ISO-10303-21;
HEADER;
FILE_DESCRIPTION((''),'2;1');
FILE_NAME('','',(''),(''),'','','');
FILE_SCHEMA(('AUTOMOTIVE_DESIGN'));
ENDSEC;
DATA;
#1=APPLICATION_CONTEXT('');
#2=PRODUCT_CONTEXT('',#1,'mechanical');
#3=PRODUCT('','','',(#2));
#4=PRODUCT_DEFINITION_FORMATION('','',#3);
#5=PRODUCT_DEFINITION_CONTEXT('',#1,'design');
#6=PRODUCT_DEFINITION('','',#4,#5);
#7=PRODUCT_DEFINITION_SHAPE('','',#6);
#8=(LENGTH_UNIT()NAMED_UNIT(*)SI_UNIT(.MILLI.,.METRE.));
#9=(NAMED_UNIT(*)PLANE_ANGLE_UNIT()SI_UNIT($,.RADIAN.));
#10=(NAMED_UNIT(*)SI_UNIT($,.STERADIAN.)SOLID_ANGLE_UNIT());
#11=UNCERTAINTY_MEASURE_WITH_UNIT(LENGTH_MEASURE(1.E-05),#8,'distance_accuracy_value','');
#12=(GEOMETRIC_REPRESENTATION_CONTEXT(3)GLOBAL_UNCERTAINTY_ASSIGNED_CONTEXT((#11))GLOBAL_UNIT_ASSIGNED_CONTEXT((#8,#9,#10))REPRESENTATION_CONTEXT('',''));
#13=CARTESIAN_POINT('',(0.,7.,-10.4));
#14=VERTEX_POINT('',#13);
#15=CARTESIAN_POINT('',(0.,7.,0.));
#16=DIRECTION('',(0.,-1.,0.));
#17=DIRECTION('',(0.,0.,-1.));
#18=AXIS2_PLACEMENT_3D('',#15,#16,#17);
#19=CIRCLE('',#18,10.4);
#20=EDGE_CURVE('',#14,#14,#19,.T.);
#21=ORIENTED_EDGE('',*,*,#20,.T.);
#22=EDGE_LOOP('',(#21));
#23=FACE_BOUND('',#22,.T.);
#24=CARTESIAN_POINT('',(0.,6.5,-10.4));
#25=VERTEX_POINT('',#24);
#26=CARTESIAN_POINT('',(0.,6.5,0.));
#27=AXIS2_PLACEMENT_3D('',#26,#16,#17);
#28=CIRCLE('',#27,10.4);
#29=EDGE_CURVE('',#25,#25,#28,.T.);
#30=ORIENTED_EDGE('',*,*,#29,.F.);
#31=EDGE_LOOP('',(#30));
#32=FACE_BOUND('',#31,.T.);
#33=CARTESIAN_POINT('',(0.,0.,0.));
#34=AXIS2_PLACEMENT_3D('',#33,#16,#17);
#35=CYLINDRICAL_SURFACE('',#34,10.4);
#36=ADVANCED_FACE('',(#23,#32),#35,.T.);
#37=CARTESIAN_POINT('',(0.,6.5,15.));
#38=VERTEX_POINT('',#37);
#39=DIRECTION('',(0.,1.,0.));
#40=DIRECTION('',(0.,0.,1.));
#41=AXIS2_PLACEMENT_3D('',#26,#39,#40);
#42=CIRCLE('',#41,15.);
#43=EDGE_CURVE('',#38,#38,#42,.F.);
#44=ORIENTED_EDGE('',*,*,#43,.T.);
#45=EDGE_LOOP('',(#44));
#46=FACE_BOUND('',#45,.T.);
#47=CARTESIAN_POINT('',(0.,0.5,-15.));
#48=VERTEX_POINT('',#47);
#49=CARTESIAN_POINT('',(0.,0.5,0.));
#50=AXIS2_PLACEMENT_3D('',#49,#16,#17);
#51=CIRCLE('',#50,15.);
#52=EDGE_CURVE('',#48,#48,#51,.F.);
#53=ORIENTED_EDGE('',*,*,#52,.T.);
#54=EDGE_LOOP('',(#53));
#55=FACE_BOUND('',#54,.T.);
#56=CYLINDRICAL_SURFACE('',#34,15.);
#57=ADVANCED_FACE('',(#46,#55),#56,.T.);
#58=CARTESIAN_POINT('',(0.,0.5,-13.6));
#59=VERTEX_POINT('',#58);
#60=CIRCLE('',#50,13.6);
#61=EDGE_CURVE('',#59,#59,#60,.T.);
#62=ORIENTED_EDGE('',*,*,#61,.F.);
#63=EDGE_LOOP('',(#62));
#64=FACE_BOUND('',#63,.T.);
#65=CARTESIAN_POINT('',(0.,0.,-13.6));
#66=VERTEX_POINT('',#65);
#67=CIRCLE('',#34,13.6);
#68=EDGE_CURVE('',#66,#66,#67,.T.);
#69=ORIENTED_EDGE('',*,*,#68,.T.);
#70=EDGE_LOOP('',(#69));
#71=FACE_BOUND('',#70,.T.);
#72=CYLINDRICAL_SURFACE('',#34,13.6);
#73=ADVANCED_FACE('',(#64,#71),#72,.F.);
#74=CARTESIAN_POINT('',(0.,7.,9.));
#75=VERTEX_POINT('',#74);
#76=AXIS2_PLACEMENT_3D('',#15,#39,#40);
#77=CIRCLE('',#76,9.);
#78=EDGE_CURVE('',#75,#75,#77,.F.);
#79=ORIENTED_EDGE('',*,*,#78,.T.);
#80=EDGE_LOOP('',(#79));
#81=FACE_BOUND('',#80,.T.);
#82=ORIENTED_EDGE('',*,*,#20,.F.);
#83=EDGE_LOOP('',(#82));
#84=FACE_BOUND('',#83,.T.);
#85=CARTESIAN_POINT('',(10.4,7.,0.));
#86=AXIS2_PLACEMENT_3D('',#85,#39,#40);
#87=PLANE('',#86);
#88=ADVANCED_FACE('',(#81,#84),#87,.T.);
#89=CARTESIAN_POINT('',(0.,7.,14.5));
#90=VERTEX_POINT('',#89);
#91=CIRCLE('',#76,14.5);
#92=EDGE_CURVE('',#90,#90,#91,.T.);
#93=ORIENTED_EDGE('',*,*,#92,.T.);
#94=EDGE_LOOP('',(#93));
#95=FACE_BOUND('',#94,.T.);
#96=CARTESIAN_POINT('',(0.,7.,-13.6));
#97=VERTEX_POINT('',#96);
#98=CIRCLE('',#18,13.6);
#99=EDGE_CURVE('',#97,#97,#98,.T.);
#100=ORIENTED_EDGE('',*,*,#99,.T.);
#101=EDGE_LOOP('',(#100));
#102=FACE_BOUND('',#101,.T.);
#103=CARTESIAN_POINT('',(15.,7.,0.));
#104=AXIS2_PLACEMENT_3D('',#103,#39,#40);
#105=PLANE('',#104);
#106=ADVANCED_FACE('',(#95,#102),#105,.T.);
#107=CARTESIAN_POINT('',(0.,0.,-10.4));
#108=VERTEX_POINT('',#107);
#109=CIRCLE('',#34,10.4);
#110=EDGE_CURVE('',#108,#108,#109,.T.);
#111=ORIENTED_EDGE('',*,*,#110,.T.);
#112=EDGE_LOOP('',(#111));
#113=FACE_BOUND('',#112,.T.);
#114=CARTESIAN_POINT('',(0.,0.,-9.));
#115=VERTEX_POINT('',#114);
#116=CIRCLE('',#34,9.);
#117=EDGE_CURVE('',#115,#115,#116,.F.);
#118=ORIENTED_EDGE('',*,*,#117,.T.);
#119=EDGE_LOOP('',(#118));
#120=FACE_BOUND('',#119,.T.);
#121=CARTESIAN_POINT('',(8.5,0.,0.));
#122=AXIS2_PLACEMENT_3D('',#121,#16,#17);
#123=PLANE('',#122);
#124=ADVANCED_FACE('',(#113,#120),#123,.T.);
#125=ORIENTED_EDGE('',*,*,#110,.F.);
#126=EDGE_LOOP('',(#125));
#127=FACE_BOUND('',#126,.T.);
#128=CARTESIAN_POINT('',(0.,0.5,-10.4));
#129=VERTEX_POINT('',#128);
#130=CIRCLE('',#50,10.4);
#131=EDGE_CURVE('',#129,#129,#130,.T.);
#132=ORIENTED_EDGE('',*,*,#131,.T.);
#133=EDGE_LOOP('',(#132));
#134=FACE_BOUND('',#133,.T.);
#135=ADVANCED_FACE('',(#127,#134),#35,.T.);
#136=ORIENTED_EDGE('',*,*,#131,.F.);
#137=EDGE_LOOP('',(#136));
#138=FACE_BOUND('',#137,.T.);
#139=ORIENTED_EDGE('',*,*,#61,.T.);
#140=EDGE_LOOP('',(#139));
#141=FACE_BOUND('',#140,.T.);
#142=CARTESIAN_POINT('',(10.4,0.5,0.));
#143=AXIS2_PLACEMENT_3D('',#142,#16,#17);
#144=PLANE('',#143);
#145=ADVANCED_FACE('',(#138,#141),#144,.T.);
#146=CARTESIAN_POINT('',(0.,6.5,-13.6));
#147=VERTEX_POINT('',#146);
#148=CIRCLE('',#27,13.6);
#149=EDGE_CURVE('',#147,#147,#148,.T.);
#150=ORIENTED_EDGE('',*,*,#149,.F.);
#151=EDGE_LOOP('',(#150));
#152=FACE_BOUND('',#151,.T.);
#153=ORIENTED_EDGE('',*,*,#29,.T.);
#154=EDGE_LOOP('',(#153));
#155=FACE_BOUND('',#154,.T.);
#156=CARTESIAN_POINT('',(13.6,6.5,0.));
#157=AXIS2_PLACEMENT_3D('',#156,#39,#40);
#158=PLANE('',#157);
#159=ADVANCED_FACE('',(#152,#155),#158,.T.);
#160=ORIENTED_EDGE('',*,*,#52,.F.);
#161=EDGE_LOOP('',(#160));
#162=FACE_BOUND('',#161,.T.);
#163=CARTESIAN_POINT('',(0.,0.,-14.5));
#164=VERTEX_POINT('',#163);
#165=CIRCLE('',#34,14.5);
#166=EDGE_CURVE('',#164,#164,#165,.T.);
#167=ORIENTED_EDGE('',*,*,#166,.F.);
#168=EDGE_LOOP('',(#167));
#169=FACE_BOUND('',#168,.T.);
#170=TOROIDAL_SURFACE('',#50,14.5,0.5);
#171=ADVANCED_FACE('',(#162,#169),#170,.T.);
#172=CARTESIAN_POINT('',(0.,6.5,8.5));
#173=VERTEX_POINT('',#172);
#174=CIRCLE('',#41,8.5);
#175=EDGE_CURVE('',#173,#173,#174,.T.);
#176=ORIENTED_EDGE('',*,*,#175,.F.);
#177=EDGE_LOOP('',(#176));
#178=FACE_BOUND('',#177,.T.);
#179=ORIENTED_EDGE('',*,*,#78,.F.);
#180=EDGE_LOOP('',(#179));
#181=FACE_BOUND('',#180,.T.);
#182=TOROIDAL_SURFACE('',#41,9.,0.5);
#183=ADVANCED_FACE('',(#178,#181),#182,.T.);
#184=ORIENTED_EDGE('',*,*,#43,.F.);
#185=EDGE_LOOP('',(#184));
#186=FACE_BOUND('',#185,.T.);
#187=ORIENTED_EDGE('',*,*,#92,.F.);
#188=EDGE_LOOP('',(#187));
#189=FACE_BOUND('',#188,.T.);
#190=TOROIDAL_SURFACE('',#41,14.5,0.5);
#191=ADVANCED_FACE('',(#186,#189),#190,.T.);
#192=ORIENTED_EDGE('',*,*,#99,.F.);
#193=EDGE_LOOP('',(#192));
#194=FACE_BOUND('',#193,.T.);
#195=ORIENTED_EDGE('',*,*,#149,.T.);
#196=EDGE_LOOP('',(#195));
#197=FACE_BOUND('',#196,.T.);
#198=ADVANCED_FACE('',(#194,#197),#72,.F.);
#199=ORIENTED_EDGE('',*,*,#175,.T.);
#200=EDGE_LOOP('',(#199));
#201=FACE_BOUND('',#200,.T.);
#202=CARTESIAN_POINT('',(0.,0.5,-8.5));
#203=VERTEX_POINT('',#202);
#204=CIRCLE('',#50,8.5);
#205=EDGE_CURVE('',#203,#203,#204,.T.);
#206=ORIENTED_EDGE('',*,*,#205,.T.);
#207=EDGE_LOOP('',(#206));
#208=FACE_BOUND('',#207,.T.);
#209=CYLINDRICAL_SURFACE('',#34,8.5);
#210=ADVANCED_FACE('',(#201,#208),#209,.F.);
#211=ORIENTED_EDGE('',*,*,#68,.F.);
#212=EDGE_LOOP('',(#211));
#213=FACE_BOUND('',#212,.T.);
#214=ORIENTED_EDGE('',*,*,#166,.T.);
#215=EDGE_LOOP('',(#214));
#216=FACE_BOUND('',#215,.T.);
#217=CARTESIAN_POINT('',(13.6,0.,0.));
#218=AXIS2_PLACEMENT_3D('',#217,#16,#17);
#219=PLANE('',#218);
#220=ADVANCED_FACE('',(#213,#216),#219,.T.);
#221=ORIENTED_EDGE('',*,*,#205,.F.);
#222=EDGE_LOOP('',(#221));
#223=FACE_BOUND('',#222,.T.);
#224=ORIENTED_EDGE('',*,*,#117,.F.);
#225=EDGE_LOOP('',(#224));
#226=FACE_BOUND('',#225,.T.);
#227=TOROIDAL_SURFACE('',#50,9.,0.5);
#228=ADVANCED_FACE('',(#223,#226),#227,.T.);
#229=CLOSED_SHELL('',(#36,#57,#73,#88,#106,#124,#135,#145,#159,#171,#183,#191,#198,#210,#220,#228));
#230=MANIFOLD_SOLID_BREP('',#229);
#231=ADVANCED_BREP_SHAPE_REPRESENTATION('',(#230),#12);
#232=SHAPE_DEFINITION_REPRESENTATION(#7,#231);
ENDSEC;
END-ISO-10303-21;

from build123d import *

# Parameters (mm, degrees)
VERRUNDUNG1_R = 0.5


with BuildPart() as part:
    # Skizze1 → Rotation1 (revolve)
    with BuildSketch(Plane.XY, mode=Mode.PRIVATE) as rotation1_sk:
        Polygon((8.5, 0), (10.4, 0), (10.4, 0.5), (13.6, 0.5), (13.6, 0), (15, 0), (15, 7), (13.6, 7), (13.6, 6.5), (10.4, 6.5), (10.4, 7), (8.5, 7), align=None)
    revolve(rotation1_sk.sketch.rotate(Axis((0, 0, 0), (0, 1, 0)), 90), axis=Axis((0, 0, 0), (0, 1, 0)))

    # Verrundung1
    verrundung1_edges = [part.edges().sort_by_distance(p)[0] for p in [
        (0, 7, 15),
        (0, 0, 15),
        (0, 0, 8.5),
        (0, 7, 8.5),
    ]]
    fillet(verrundung1_edges, radius=VERRUNDUNG1_R)


solid = part.part
